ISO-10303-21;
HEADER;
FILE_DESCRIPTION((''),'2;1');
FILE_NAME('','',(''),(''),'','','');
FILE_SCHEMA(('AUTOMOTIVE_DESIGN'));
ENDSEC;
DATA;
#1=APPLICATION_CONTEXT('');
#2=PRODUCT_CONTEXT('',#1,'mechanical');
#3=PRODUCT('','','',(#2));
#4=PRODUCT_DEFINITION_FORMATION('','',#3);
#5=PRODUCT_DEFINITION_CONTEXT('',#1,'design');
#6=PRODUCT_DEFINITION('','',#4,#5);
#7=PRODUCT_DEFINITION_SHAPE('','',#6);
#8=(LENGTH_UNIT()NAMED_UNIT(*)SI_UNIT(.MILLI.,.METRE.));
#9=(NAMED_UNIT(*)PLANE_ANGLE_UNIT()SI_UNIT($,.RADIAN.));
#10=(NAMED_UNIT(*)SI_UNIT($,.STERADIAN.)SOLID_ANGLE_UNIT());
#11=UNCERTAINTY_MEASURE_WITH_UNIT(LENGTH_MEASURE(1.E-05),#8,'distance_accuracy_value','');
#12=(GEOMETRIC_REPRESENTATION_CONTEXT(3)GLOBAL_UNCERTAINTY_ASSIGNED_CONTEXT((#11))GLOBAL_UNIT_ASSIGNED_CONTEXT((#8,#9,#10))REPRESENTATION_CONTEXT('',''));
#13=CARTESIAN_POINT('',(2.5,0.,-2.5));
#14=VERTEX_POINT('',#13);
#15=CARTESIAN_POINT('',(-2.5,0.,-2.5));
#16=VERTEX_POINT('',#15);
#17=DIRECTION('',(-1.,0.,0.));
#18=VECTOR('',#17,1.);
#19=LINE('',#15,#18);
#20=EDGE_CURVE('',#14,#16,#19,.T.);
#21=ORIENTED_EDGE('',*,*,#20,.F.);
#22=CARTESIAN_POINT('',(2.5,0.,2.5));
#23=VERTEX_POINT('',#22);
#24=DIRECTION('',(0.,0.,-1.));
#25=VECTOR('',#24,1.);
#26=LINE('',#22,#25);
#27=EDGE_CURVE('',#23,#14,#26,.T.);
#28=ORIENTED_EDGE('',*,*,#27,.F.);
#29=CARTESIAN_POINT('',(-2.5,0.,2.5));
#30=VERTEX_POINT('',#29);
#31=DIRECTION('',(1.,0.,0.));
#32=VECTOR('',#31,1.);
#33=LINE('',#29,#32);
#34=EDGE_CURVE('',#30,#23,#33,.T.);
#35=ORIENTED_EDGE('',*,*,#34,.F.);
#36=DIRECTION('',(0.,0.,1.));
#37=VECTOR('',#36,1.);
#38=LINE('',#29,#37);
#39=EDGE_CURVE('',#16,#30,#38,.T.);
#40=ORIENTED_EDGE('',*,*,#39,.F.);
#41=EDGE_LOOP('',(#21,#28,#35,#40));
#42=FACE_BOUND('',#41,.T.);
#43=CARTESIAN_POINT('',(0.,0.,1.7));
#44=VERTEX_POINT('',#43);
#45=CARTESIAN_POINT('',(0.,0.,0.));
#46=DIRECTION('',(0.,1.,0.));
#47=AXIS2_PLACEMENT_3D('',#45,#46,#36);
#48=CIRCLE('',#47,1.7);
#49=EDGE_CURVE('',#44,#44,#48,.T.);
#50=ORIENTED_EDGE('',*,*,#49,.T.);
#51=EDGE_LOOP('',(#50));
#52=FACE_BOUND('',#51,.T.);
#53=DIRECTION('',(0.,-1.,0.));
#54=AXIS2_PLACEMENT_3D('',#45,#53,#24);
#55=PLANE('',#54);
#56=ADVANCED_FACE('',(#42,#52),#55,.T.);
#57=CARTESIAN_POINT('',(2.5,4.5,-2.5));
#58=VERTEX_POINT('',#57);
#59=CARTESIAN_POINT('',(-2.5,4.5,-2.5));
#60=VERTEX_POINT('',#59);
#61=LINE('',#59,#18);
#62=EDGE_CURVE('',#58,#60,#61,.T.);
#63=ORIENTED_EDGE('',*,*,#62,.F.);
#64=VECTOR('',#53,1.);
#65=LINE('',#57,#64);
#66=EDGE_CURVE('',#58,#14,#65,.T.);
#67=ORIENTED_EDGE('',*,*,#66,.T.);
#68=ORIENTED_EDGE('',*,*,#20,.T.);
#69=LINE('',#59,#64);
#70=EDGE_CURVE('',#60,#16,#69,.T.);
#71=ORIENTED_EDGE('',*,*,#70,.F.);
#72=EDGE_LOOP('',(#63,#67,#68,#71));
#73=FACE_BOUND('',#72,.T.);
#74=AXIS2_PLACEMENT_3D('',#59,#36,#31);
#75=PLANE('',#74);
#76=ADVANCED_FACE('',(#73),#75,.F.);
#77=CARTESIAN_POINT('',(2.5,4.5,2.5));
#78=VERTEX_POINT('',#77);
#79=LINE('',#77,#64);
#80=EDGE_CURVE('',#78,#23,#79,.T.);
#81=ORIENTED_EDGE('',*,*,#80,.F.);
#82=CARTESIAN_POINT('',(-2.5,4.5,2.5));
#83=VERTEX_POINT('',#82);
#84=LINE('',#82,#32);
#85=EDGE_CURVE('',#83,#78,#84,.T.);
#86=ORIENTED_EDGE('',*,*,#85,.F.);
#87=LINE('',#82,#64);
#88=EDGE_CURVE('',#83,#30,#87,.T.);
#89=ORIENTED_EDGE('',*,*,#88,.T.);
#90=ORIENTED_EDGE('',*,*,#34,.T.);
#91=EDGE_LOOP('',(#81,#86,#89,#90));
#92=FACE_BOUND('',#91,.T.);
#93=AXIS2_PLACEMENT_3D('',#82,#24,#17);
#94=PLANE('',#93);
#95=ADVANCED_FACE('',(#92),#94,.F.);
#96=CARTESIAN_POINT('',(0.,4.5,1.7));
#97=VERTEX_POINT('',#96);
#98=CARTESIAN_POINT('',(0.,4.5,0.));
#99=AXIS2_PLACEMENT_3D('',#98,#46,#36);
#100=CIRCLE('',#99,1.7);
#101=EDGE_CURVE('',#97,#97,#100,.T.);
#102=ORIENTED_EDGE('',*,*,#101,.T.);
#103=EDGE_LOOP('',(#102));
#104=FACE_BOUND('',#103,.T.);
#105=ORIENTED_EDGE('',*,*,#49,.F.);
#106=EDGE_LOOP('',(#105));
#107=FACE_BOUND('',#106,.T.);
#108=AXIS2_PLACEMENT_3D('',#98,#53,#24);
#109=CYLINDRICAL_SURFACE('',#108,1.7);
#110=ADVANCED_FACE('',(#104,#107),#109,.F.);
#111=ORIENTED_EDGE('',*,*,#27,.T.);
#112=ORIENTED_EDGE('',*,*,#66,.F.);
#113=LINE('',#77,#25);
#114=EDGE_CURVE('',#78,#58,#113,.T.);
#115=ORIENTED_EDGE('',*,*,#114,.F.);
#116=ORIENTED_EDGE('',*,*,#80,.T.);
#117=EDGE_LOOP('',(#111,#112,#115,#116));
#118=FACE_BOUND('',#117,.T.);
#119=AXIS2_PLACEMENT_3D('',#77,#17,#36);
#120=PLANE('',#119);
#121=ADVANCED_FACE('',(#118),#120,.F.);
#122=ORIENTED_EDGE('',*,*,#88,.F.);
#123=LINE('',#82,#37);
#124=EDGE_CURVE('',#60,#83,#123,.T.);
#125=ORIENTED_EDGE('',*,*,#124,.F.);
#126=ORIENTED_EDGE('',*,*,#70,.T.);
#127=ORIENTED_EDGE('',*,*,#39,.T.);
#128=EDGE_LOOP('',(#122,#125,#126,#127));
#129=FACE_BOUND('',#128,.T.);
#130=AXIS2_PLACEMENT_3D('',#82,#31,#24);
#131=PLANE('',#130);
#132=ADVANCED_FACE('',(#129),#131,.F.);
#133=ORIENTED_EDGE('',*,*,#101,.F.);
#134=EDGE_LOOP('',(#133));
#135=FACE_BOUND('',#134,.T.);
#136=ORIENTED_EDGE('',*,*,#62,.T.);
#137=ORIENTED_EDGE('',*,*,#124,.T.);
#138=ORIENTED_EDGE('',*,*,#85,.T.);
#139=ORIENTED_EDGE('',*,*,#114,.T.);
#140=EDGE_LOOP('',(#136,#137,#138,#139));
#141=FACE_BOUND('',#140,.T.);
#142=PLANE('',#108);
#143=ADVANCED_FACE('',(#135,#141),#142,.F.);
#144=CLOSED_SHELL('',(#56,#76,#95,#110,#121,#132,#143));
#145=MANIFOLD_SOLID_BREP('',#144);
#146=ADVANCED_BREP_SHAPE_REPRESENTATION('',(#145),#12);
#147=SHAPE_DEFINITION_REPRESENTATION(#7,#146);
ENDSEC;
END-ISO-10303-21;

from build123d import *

# Parameters (mm, degrees)
SKETCH1_W           = 5
SKETCH1_H           = 5
SKETCH1_R           = 1.7
BOSS_EXTRUDE1_DEPTH = 4.5


with BuildPart() as part:
    # Sketch1 → Boss-Extrude1 (new body)
    with BuildSketch(Plane(origin=(0, 0, 0), x_dir=(1, 0, 0), z_dir=(0, 1, 0))):
        Rectangle(SKETCH1_W, SKETCH1_H)
        Circle(SKETCH1_R, mode=Mode.SUBTRACT)
    extrude(amount=BOSS_EXTRUDE1_DEPTH)


solid = part.part
